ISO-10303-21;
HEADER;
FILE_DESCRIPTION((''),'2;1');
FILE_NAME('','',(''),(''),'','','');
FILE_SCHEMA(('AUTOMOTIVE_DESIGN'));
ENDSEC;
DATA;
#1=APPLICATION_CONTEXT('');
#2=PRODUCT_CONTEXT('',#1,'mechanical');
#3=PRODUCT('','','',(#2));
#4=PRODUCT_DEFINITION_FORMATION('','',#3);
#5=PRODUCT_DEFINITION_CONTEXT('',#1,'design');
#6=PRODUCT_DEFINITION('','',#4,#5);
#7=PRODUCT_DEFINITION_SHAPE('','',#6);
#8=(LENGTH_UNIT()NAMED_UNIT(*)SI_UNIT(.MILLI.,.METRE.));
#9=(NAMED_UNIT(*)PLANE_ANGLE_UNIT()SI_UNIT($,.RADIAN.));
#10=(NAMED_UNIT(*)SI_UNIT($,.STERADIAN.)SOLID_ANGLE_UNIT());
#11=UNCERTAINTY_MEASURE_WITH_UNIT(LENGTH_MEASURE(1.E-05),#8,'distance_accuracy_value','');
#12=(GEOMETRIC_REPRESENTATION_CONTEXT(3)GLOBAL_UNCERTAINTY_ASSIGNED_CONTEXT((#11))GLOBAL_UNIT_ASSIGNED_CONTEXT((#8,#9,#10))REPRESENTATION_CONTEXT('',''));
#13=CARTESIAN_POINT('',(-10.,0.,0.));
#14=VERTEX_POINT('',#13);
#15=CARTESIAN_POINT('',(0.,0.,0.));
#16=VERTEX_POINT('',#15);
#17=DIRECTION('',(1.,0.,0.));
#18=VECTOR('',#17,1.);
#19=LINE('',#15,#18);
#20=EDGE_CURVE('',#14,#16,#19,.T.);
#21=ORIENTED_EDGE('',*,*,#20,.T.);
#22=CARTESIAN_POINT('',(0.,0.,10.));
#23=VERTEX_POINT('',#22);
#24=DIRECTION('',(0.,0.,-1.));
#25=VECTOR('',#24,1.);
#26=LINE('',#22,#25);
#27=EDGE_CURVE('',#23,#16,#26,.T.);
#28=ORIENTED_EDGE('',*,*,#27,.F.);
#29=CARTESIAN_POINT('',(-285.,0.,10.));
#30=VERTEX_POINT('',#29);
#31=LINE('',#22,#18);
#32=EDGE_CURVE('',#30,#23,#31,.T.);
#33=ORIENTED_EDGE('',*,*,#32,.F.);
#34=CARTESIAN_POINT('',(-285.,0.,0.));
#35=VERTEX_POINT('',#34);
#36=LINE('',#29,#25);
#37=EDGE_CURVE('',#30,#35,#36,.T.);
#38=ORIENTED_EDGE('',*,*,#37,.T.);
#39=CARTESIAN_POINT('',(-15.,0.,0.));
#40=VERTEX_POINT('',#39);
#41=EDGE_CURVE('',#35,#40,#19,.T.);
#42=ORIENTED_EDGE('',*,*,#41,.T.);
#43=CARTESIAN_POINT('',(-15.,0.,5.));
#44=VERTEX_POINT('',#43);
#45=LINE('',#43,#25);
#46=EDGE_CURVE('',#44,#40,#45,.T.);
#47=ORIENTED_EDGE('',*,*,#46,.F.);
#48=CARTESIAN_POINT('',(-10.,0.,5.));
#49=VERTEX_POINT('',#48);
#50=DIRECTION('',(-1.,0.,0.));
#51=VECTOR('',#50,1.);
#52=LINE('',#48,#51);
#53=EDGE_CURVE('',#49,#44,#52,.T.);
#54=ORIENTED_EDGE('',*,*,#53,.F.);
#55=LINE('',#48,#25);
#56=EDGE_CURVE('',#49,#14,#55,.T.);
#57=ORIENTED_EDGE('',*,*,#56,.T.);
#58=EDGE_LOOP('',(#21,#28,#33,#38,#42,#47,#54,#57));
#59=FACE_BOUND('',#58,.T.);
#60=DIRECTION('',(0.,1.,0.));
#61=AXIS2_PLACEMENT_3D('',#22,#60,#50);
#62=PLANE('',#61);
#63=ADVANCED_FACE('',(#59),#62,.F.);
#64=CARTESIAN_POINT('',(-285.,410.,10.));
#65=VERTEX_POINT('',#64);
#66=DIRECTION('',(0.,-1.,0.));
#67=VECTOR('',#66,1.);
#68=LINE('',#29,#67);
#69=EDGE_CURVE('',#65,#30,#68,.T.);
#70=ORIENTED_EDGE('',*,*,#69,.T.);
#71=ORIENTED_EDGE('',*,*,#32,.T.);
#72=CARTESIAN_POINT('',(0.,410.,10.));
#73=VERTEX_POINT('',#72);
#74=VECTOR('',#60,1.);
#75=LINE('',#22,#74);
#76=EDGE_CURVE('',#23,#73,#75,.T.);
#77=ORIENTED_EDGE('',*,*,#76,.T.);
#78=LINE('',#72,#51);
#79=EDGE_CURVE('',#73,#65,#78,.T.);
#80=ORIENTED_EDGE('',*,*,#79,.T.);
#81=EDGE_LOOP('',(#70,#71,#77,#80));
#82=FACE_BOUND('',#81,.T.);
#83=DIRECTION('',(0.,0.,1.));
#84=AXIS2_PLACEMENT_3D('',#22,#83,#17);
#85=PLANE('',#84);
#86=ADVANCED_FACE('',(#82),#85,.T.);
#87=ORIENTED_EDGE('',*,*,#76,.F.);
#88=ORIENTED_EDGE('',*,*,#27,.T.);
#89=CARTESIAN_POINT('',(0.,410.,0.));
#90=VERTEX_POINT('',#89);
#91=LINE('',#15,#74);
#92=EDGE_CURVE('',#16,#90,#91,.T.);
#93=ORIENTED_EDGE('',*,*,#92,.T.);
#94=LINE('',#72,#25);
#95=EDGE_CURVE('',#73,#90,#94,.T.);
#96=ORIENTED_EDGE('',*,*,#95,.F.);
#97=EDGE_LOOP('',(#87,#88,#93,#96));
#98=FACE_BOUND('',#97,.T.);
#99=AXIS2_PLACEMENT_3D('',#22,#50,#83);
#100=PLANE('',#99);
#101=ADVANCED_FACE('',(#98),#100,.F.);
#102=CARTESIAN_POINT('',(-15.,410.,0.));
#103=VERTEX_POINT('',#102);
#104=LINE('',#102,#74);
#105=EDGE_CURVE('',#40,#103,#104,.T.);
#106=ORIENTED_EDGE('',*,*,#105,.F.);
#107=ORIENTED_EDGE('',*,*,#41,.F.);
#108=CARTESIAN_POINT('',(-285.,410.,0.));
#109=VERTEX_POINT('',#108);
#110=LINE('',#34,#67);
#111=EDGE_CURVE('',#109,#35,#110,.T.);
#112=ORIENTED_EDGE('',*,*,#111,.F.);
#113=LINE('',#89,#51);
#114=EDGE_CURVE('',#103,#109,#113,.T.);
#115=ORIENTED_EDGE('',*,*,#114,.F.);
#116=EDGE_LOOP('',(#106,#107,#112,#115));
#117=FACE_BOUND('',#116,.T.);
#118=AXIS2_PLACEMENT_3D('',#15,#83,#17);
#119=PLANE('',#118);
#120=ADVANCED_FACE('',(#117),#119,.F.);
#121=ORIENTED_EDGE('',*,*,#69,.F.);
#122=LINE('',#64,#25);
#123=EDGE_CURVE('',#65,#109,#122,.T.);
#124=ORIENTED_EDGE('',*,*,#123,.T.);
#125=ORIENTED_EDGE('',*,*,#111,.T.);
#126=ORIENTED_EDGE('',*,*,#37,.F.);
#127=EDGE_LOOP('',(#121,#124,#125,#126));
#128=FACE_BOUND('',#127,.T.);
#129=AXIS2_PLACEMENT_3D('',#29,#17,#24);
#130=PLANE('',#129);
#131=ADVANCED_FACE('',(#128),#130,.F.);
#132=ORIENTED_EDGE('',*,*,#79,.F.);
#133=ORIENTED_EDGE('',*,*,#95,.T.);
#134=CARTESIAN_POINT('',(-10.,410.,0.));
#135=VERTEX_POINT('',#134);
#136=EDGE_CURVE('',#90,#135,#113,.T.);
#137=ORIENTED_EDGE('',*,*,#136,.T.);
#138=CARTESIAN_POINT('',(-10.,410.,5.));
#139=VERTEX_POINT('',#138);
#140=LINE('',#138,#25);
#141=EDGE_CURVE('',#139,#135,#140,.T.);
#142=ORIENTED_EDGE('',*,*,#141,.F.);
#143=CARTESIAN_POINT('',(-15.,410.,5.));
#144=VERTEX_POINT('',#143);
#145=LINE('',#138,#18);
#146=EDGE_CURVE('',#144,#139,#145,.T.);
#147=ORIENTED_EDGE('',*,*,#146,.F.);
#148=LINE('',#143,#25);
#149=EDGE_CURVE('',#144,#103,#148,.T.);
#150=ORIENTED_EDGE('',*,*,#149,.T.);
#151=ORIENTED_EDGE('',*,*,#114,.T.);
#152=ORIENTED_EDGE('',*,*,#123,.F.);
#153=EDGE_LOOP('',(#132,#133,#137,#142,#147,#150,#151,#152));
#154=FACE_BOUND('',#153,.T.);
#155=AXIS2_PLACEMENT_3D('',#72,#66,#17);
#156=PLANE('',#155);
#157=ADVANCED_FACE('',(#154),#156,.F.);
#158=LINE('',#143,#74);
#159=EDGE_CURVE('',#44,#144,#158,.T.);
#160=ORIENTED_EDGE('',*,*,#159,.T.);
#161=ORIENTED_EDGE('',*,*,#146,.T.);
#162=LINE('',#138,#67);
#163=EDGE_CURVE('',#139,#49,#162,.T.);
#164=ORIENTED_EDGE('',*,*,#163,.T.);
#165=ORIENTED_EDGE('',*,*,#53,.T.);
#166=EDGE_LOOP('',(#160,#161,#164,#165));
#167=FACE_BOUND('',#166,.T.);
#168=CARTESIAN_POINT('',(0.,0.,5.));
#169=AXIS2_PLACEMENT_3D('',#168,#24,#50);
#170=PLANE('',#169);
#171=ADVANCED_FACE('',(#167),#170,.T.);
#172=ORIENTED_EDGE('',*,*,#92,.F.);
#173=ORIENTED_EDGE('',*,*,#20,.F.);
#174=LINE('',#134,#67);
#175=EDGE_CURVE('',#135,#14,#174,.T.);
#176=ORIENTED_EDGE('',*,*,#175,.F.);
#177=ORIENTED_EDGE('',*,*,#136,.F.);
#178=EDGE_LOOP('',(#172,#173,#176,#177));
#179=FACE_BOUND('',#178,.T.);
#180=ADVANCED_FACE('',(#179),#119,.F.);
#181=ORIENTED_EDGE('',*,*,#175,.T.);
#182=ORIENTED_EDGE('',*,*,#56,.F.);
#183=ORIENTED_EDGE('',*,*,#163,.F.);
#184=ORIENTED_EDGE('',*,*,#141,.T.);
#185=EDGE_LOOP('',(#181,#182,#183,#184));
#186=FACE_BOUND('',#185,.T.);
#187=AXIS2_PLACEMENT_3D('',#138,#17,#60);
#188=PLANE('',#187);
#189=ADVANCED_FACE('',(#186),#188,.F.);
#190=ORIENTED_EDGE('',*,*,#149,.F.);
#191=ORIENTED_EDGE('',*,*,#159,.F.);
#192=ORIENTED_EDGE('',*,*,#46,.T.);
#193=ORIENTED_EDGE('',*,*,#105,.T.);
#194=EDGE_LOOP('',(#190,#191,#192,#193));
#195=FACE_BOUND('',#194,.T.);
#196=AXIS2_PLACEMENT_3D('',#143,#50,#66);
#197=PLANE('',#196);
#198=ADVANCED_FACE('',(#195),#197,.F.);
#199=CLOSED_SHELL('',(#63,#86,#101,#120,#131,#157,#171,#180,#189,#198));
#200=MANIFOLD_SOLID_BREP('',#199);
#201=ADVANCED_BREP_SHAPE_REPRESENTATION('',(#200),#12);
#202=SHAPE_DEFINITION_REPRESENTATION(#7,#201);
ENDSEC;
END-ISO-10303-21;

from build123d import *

# Parameters (mm, degrees)
ESQUISSE1_W             = 285
ESQUISSE1_H             = 410
BOSS_EXTRU_1_DEPTH      = 10
ESQUISSE2_W             = 5
ESQUISSE2_H             = 410
ENL_V_MAT_EXTRU_1_DEPTH = 5


with BuildPart() as part:
    # Esquisse1 → Boss.-Extru.1 (new body)
    with BuildSketch(Plane.XY):
        with Locations((-142.5, 205)):
            Rectangle(ESQUISSE1_W, ESQUISSE1_H)
    extrude(amount=BOSS_EXTRU_1_DEPTH)

    # Esquisse2 → Enlèv. mat.-Extru.1 (cut)
    with BuildSketch(Plane(origin=(0, 0, 0), x_dir=(-1, 0, 0), z_dir=(0, 0, -1))):
        with Locations((12.5, 205)):
            Rectangle(ESQUISSE2_W, ESQUISSE2_H)
    extrude(amount=-ENL_V_MAT_EXTRU_1_DEPTH, mode=Mode.SUBTRACT)


solid = part.part
